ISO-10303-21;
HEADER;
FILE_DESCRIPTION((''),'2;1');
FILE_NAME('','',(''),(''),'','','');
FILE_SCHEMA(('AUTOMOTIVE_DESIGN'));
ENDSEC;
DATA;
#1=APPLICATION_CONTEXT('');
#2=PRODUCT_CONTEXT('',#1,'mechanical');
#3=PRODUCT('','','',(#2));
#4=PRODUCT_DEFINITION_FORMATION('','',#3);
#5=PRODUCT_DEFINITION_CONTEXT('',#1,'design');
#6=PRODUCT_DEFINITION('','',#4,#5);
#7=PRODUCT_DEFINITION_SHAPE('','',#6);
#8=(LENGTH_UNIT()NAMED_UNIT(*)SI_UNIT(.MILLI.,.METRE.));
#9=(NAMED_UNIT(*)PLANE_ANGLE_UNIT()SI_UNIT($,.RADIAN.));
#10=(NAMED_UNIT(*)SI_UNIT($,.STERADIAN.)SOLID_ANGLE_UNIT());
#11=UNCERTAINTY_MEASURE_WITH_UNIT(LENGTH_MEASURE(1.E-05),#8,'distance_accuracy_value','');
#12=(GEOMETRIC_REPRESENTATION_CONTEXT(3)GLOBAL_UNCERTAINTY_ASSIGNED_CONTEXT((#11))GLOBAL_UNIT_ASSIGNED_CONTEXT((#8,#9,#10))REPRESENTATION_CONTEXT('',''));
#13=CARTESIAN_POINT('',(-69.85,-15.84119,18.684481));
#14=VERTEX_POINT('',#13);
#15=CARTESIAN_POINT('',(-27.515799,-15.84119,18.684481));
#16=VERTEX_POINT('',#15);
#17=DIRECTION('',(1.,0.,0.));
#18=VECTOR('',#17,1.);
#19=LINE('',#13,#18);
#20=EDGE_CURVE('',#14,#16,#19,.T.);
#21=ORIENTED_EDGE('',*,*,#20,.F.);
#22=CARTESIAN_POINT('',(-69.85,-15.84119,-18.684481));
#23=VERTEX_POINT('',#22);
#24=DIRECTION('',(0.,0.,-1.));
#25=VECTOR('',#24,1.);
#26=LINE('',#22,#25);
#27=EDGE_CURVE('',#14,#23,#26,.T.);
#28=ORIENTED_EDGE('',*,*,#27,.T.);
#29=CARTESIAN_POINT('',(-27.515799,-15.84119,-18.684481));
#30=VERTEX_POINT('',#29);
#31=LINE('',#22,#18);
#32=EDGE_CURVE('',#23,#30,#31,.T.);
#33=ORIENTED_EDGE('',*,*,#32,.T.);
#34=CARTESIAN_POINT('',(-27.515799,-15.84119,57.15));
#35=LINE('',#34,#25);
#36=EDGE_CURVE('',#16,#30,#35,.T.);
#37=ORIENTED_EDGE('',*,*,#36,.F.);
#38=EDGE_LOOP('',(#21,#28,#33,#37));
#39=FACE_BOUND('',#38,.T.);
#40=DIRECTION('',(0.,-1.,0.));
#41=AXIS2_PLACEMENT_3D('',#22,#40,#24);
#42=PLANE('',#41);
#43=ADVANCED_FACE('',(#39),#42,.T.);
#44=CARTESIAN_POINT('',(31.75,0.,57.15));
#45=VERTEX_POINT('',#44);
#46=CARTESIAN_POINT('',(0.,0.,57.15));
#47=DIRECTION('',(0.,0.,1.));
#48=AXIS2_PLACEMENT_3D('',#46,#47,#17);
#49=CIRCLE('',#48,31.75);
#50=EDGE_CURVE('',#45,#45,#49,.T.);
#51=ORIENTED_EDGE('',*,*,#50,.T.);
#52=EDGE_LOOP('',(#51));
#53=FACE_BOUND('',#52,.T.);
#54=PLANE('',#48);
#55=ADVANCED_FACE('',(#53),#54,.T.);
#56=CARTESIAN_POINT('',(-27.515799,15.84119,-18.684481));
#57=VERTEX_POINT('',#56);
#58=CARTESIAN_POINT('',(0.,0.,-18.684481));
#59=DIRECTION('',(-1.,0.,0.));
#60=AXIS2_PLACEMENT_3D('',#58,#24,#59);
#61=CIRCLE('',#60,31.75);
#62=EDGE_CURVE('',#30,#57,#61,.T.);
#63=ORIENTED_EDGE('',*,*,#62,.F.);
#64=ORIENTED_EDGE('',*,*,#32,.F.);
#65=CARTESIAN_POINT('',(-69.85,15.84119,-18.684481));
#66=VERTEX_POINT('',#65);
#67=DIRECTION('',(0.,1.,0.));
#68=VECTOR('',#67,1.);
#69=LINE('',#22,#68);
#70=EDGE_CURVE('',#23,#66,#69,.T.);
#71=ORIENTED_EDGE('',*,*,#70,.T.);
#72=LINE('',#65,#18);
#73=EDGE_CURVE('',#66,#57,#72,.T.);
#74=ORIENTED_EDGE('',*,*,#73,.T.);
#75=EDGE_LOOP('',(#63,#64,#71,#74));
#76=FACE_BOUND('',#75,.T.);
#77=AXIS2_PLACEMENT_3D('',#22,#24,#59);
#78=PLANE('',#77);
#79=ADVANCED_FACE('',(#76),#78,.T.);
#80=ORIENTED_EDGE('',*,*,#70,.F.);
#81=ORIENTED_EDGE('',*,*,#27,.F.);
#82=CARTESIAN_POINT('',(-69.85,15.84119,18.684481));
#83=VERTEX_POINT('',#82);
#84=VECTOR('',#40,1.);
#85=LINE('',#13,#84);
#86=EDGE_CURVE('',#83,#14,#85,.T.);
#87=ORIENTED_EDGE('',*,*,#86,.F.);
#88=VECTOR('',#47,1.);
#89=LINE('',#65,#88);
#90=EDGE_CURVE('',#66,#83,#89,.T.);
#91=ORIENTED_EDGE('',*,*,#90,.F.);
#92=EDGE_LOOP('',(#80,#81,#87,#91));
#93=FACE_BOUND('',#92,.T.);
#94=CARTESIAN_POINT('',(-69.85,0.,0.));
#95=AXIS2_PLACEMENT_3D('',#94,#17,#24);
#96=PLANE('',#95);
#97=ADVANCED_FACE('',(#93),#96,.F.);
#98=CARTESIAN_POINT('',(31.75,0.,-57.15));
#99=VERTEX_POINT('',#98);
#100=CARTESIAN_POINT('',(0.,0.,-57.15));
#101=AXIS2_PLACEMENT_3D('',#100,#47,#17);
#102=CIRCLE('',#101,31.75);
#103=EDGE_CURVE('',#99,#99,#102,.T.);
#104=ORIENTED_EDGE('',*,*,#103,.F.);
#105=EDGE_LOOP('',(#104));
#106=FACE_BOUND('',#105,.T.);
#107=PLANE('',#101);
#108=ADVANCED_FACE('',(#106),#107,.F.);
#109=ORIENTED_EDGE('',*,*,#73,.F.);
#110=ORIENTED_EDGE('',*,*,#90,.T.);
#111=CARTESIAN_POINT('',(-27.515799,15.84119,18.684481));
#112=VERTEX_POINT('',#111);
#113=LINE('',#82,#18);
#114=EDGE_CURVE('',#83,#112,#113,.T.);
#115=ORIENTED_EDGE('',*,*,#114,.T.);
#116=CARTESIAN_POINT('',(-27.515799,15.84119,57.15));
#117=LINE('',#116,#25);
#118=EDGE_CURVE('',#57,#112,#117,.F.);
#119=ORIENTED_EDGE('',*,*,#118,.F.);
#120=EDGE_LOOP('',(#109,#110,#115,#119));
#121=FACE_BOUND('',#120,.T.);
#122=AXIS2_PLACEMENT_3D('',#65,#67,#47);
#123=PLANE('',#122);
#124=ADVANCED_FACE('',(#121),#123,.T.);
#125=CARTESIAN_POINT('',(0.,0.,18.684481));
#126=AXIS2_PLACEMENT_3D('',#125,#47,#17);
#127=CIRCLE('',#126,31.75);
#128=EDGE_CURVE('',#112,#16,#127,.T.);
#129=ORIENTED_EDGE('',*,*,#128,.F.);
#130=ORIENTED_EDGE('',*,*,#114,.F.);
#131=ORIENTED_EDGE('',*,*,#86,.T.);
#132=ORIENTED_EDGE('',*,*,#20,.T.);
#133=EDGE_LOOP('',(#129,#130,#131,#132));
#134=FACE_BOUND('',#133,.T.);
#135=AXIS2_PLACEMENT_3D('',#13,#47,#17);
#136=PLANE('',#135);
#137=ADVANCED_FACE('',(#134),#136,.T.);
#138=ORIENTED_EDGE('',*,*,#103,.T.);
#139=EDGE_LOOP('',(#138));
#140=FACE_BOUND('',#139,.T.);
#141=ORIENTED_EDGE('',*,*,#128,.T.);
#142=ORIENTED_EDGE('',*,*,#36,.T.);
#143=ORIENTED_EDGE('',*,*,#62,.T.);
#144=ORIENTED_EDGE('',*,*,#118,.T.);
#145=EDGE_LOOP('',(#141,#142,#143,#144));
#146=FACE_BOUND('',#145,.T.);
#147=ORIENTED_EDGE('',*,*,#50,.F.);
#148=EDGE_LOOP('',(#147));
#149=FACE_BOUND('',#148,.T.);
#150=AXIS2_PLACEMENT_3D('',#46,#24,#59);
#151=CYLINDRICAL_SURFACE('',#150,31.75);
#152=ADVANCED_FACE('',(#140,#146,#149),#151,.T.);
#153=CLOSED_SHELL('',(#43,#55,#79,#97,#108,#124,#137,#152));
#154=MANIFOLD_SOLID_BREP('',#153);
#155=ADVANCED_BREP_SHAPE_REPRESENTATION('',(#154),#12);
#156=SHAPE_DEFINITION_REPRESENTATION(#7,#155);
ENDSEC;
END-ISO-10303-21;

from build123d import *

# Parameters (mm, degrees)
SKETCH1_R           = 31.75
BOSS_EXTRUDE1_DEPTH = 57.15
SKETCH2_W           = 37.368961478
SKETCH2_H           = 31.682380384
BOSS_EXTRUDE2_DEPTH = 69.85


with BuildPart() as part:
    # Sketch1 → Boss-Extrude1 (new, symmetric)
    with BuildSketch(Plane.XY):
        Circle(SKETCH1_R)
    extrude(amount=BOSS_EXTRUDE1_DEPTH, both=True)

    # Sketch2 → Boss-Extrude2 (add)
    with BuildSketch(Plane(origin=(0, 0, 0), x_dir=(0, 0, -1), z_dir=(1, 0, 0))):
        Rectangle(SKETCH2_W, SKETCH2_H)
    extrude(amount=-BOSS_EXTRUDE2_DEPTH)


solid = part.part
